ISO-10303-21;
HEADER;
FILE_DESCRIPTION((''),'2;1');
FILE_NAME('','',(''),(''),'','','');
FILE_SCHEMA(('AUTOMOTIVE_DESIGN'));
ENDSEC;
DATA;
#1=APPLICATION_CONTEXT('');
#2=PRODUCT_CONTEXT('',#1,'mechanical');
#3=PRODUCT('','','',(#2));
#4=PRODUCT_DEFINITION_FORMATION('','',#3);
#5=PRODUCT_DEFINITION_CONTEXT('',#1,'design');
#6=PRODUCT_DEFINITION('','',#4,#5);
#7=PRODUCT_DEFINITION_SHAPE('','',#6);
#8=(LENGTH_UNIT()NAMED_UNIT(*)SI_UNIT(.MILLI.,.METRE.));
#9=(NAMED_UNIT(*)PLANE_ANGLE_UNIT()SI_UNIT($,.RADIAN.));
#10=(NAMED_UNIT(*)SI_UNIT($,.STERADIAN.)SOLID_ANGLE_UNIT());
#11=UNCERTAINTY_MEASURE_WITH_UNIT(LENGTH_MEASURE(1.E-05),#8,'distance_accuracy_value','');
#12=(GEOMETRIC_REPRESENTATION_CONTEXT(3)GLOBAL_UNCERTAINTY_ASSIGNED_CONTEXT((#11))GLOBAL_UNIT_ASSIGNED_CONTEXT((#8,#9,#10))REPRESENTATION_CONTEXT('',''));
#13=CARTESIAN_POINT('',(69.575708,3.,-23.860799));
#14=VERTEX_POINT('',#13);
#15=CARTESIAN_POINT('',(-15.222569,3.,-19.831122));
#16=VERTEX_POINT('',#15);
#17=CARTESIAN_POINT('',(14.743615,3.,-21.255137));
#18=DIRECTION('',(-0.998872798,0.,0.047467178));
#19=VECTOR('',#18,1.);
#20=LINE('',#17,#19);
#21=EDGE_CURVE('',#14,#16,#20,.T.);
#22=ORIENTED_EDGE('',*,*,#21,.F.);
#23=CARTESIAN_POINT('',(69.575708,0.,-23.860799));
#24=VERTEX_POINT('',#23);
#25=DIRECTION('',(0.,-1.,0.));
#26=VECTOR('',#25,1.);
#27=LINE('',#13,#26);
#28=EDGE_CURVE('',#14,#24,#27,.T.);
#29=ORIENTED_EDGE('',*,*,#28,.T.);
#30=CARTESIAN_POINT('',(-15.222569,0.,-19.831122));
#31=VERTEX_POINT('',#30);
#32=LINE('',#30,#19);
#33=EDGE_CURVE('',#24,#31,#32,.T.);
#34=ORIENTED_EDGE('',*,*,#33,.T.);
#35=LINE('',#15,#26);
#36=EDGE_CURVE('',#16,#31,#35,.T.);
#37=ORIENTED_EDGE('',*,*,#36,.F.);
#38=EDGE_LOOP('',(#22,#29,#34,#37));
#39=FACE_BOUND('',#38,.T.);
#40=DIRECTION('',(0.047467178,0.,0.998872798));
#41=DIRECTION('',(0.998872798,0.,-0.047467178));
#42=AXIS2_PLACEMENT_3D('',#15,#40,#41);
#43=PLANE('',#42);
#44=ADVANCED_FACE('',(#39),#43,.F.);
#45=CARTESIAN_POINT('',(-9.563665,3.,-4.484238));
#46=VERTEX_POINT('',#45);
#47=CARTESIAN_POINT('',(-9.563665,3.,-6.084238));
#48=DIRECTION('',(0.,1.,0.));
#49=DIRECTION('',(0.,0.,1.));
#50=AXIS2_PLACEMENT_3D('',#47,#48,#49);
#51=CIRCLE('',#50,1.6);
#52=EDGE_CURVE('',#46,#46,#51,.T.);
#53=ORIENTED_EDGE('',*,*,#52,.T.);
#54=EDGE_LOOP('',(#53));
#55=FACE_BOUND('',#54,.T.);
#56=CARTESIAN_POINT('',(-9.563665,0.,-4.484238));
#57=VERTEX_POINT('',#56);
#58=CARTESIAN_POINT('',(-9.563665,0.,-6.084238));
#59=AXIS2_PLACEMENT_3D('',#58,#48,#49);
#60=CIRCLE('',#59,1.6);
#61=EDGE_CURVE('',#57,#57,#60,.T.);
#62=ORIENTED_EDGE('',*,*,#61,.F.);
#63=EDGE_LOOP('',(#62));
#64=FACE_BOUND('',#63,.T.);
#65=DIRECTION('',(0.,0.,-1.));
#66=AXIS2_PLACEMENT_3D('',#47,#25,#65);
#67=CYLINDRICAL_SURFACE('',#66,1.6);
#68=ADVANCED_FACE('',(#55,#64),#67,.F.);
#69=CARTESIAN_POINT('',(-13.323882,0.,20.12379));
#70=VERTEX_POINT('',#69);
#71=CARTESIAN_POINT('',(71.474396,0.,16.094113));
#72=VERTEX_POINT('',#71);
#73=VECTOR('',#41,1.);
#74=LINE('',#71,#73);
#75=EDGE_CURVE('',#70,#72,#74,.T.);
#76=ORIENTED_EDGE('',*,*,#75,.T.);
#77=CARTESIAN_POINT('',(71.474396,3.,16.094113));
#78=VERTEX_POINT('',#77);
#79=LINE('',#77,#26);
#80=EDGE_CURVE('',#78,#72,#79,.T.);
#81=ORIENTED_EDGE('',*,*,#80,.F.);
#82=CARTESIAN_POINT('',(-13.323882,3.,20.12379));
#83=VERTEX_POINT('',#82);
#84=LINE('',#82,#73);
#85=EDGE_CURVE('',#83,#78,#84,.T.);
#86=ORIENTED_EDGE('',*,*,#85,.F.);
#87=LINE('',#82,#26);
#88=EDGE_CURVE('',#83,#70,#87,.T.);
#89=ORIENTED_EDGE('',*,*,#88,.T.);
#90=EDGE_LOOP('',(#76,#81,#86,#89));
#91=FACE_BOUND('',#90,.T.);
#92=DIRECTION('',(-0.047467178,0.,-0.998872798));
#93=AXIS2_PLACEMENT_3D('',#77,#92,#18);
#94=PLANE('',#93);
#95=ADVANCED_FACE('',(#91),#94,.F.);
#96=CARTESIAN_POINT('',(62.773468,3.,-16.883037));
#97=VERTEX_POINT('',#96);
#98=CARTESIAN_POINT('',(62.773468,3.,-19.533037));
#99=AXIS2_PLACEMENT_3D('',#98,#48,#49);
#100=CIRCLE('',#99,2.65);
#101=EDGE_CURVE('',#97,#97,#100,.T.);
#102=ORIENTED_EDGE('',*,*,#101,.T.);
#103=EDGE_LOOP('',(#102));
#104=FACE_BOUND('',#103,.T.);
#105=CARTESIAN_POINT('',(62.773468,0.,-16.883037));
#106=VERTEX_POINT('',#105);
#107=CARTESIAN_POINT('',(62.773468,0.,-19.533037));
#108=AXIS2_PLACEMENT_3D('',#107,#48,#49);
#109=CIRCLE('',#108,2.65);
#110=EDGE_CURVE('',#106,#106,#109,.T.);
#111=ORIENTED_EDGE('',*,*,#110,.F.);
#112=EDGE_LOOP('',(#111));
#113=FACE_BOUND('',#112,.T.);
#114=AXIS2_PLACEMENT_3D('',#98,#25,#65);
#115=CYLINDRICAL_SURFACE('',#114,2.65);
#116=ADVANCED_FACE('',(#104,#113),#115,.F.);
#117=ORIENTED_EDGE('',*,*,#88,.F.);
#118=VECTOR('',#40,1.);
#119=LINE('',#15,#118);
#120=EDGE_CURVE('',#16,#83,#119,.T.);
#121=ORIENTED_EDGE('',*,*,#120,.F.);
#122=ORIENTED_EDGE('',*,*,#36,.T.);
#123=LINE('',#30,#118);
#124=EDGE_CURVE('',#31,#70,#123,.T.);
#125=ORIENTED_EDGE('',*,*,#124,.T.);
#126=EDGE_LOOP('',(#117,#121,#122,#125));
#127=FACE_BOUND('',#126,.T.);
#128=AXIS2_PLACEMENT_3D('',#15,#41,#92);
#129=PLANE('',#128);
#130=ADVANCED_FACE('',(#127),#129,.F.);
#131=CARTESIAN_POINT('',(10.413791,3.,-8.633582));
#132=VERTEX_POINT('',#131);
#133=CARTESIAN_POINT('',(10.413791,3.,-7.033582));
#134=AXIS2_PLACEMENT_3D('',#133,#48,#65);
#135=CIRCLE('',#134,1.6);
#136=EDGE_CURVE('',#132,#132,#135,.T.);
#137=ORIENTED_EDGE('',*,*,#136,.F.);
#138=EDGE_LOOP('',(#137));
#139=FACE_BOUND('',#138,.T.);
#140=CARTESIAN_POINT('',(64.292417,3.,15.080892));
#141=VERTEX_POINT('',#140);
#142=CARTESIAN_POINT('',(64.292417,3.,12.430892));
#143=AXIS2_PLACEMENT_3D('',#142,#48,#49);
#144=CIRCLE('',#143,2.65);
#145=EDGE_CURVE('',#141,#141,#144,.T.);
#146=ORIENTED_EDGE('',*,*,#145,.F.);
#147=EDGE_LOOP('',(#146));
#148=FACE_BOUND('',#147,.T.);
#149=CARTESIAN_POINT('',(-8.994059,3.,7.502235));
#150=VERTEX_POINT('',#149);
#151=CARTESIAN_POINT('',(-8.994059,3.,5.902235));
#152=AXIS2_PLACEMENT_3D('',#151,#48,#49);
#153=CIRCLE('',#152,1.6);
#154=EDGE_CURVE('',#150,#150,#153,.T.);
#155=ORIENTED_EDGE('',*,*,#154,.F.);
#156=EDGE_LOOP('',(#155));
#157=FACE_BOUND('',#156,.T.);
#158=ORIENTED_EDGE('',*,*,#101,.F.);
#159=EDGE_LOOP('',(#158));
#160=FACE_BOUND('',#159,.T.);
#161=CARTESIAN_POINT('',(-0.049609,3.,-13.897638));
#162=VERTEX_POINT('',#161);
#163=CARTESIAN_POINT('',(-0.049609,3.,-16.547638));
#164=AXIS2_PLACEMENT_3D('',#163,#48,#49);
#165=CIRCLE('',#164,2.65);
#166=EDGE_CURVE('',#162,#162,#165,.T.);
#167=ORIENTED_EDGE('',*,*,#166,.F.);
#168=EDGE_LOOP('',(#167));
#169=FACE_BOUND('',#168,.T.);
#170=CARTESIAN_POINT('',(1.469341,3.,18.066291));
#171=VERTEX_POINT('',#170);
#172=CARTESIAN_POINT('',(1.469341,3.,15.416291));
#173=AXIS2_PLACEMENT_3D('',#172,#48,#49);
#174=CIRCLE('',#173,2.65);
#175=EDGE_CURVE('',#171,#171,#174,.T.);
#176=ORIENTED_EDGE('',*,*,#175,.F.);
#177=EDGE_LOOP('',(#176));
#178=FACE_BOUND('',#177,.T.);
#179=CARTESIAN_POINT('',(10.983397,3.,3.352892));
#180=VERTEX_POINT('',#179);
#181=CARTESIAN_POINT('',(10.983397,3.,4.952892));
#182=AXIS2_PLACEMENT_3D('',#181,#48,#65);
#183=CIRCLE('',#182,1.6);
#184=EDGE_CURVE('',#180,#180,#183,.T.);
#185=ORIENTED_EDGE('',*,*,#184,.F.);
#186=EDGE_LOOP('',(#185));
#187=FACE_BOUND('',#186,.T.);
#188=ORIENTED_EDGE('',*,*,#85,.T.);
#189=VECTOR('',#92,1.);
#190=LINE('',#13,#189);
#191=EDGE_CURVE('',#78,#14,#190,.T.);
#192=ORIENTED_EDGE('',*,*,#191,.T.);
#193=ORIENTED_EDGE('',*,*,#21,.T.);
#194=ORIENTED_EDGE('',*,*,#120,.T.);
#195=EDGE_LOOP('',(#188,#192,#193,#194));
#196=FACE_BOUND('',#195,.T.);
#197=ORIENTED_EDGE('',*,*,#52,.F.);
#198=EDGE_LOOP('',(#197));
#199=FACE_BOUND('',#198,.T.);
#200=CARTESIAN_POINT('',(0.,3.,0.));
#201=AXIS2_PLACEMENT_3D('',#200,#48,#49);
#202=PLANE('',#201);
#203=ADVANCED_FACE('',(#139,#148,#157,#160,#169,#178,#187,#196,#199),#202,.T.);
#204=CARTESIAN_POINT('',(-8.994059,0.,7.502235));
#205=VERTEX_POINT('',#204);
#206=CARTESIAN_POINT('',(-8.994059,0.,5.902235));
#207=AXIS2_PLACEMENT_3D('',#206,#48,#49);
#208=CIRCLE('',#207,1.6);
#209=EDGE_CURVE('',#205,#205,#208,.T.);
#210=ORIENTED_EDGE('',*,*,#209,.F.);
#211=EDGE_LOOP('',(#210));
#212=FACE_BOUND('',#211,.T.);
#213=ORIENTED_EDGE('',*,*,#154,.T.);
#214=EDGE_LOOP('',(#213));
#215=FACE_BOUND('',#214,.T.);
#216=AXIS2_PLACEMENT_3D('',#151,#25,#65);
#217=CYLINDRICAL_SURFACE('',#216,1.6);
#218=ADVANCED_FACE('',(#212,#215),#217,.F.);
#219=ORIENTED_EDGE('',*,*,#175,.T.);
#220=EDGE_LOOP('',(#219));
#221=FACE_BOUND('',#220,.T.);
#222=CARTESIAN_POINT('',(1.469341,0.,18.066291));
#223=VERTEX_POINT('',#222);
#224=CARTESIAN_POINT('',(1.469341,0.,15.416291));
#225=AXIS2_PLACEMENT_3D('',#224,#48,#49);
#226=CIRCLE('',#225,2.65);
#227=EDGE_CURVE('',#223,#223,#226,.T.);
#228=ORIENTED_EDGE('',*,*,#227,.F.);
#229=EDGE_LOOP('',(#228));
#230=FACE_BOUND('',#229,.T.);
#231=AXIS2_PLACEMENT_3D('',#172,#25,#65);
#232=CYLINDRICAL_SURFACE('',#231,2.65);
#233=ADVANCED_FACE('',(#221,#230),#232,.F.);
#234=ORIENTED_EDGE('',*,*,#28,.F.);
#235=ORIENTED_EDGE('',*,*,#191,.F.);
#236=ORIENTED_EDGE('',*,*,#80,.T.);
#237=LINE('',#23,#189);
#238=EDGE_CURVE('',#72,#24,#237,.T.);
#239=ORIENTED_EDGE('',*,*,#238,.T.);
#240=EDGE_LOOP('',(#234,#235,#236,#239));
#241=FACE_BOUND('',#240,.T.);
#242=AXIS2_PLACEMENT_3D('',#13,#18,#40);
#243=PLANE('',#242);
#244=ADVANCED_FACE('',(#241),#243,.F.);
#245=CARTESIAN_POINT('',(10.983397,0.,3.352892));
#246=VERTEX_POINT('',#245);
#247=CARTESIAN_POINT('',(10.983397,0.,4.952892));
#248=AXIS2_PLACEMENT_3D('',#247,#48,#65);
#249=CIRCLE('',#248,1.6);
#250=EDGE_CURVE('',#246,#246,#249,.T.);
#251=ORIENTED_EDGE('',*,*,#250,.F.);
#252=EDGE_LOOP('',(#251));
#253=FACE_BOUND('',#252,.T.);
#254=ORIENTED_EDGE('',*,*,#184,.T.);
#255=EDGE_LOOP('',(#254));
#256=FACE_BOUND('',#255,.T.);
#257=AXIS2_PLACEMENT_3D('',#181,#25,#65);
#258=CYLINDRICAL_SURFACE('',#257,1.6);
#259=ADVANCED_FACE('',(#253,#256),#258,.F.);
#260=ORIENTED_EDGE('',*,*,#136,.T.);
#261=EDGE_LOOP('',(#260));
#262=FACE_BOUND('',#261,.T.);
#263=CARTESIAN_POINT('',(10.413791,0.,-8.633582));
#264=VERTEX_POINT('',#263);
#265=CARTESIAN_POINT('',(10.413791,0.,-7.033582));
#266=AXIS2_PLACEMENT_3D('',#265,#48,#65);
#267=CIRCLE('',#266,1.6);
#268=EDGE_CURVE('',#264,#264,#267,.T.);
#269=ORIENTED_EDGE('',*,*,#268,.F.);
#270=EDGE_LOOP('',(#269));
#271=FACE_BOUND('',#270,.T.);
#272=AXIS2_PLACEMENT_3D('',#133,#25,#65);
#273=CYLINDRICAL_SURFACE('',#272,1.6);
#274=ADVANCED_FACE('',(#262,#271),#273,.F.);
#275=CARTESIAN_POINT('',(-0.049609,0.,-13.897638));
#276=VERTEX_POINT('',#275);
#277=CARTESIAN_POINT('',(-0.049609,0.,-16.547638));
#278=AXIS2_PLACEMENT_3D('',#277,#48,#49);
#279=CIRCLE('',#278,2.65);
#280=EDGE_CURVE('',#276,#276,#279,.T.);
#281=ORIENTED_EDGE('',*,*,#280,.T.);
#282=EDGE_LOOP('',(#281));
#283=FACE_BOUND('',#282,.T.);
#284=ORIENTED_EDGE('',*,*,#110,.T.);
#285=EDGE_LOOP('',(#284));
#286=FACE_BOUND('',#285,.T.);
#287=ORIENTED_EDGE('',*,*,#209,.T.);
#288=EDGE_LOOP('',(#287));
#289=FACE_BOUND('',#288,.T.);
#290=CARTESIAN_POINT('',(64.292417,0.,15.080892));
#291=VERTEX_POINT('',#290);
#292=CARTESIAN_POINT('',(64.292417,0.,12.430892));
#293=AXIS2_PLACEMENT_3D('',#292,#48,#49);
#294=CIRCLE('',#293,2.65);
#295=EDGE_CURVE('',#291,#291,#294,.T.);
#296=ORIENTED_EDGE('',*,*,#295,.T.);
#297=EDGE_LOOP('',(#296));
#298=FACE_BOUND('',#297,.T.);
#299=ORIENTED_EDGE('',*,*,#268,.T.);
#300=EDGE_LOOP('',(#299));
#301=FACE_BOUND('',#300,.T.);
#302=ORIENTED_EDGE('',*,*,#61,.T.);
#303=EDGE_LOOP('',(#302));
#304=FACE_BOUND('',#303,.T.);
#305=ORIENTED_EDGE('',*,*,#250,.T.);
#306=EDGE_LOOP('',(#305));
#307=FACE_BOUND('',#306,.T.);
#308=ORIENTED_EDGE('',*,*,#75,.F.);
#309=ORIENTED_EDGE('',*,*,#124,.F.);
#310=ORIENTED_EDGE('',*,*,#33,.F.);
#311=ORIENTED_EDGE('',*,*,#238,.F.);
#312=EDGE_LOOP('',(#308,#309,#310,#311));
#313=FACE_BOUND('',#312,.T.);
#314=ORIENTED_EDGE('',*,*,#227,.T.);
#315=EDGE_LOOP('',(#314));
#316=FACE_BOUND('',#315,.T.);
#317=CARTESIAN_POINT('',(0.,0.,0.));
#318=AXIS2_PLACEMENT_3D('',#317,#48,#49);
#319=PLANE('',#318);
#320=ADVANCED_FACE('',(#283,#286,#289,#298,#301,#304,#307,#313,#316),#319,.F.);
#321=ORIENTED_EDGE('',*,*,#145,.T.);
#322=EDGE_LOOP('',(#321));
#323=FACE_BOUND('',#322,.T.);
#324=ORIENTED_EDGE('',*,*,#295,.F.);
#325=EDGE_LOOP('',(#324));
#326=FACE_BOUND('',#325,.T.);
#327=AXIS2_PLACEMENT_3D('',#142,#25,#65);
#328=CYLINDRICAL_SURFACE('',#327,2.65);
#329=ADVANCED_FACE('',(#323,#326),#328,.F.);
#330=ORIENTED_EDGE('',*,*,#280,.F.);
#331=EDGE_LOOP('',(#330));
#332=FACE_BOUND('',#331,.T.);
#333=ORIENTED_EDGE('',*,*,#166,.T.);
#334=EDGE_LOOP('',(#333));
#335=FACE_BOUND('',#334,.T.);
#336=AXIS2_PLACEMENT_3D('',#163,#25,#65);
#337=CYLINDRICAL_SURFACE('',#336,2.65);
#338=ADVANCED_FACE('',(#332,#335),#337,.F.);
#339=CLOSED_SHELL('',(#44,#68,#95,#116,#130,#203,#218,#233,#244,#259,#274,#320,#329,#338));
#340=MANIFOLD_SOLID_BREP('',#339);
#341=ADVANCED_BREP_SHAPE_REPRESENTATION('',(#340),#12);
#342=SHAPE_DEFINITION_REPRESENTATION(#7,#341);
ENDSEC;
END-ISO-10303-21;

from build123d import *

# Parameters (mm, degrees)
SKETCH_1_R      = 2.65
SKETCH_1_R_2    = 1.6
EXTRUDE_1_DEPTH = 3


with BuildPart() as part:
    # 草图1 → 凸台-拉伸1 (new body)
    with BuildSketch(Plane(origin=(0, 0, 0), x_dir=(1, 0, 0), z_dir=(0, 1, 0))):
        Polygon((-15.222569187, 19.831121687), (14.743614759, 21.25513704), (69.57570845, 23.860798923), (71.474395588, -16.094113005), (16.642301897, -18.699774888), (-13.323882049, -20.123790241), align=None)
        with Locations((-0.0496085, 16.547638171)):
            Circle(SKETCH_1_R, mode=Mode.SUBTRACT)
        with Locations((1.46934121, -15.416291372)):
            Circle(SKETCH_1_R, mode=Mode.SUBTRACT)
        with Locations((-8.994058556, -5.902235174)):
            Circle(SKETCH_1_R_2, mode=Mode.SUBTRACT)
        with Locations((-9.563664698, 6.084238404)):
            Circle(SKETCH_1_R_2, mode=Mode.SUBTRACT)
        with Locations((10.413791266, 7.033581973)):
            Circle(SKETCH_1_R_2, mode=Mode.SUBTRACT)
        with Locations((10.983397408, -4.952891605)):
            Circle(SKETCH_1_R_2, mode=Mode.SUBTRACT)
        with Locations((62.773467577, 19.533037481)):
            Circle(SKETCH_1_R, mode=Mode.SUBTRACT)
        with Locations((64.292417287, -12.430892061)):
            Circle(SKETCH_1_R, mode=Mode.SUBTRACT)
    extrude(amount=EXTRUDE_1_DEPTH)


solid = part.part
